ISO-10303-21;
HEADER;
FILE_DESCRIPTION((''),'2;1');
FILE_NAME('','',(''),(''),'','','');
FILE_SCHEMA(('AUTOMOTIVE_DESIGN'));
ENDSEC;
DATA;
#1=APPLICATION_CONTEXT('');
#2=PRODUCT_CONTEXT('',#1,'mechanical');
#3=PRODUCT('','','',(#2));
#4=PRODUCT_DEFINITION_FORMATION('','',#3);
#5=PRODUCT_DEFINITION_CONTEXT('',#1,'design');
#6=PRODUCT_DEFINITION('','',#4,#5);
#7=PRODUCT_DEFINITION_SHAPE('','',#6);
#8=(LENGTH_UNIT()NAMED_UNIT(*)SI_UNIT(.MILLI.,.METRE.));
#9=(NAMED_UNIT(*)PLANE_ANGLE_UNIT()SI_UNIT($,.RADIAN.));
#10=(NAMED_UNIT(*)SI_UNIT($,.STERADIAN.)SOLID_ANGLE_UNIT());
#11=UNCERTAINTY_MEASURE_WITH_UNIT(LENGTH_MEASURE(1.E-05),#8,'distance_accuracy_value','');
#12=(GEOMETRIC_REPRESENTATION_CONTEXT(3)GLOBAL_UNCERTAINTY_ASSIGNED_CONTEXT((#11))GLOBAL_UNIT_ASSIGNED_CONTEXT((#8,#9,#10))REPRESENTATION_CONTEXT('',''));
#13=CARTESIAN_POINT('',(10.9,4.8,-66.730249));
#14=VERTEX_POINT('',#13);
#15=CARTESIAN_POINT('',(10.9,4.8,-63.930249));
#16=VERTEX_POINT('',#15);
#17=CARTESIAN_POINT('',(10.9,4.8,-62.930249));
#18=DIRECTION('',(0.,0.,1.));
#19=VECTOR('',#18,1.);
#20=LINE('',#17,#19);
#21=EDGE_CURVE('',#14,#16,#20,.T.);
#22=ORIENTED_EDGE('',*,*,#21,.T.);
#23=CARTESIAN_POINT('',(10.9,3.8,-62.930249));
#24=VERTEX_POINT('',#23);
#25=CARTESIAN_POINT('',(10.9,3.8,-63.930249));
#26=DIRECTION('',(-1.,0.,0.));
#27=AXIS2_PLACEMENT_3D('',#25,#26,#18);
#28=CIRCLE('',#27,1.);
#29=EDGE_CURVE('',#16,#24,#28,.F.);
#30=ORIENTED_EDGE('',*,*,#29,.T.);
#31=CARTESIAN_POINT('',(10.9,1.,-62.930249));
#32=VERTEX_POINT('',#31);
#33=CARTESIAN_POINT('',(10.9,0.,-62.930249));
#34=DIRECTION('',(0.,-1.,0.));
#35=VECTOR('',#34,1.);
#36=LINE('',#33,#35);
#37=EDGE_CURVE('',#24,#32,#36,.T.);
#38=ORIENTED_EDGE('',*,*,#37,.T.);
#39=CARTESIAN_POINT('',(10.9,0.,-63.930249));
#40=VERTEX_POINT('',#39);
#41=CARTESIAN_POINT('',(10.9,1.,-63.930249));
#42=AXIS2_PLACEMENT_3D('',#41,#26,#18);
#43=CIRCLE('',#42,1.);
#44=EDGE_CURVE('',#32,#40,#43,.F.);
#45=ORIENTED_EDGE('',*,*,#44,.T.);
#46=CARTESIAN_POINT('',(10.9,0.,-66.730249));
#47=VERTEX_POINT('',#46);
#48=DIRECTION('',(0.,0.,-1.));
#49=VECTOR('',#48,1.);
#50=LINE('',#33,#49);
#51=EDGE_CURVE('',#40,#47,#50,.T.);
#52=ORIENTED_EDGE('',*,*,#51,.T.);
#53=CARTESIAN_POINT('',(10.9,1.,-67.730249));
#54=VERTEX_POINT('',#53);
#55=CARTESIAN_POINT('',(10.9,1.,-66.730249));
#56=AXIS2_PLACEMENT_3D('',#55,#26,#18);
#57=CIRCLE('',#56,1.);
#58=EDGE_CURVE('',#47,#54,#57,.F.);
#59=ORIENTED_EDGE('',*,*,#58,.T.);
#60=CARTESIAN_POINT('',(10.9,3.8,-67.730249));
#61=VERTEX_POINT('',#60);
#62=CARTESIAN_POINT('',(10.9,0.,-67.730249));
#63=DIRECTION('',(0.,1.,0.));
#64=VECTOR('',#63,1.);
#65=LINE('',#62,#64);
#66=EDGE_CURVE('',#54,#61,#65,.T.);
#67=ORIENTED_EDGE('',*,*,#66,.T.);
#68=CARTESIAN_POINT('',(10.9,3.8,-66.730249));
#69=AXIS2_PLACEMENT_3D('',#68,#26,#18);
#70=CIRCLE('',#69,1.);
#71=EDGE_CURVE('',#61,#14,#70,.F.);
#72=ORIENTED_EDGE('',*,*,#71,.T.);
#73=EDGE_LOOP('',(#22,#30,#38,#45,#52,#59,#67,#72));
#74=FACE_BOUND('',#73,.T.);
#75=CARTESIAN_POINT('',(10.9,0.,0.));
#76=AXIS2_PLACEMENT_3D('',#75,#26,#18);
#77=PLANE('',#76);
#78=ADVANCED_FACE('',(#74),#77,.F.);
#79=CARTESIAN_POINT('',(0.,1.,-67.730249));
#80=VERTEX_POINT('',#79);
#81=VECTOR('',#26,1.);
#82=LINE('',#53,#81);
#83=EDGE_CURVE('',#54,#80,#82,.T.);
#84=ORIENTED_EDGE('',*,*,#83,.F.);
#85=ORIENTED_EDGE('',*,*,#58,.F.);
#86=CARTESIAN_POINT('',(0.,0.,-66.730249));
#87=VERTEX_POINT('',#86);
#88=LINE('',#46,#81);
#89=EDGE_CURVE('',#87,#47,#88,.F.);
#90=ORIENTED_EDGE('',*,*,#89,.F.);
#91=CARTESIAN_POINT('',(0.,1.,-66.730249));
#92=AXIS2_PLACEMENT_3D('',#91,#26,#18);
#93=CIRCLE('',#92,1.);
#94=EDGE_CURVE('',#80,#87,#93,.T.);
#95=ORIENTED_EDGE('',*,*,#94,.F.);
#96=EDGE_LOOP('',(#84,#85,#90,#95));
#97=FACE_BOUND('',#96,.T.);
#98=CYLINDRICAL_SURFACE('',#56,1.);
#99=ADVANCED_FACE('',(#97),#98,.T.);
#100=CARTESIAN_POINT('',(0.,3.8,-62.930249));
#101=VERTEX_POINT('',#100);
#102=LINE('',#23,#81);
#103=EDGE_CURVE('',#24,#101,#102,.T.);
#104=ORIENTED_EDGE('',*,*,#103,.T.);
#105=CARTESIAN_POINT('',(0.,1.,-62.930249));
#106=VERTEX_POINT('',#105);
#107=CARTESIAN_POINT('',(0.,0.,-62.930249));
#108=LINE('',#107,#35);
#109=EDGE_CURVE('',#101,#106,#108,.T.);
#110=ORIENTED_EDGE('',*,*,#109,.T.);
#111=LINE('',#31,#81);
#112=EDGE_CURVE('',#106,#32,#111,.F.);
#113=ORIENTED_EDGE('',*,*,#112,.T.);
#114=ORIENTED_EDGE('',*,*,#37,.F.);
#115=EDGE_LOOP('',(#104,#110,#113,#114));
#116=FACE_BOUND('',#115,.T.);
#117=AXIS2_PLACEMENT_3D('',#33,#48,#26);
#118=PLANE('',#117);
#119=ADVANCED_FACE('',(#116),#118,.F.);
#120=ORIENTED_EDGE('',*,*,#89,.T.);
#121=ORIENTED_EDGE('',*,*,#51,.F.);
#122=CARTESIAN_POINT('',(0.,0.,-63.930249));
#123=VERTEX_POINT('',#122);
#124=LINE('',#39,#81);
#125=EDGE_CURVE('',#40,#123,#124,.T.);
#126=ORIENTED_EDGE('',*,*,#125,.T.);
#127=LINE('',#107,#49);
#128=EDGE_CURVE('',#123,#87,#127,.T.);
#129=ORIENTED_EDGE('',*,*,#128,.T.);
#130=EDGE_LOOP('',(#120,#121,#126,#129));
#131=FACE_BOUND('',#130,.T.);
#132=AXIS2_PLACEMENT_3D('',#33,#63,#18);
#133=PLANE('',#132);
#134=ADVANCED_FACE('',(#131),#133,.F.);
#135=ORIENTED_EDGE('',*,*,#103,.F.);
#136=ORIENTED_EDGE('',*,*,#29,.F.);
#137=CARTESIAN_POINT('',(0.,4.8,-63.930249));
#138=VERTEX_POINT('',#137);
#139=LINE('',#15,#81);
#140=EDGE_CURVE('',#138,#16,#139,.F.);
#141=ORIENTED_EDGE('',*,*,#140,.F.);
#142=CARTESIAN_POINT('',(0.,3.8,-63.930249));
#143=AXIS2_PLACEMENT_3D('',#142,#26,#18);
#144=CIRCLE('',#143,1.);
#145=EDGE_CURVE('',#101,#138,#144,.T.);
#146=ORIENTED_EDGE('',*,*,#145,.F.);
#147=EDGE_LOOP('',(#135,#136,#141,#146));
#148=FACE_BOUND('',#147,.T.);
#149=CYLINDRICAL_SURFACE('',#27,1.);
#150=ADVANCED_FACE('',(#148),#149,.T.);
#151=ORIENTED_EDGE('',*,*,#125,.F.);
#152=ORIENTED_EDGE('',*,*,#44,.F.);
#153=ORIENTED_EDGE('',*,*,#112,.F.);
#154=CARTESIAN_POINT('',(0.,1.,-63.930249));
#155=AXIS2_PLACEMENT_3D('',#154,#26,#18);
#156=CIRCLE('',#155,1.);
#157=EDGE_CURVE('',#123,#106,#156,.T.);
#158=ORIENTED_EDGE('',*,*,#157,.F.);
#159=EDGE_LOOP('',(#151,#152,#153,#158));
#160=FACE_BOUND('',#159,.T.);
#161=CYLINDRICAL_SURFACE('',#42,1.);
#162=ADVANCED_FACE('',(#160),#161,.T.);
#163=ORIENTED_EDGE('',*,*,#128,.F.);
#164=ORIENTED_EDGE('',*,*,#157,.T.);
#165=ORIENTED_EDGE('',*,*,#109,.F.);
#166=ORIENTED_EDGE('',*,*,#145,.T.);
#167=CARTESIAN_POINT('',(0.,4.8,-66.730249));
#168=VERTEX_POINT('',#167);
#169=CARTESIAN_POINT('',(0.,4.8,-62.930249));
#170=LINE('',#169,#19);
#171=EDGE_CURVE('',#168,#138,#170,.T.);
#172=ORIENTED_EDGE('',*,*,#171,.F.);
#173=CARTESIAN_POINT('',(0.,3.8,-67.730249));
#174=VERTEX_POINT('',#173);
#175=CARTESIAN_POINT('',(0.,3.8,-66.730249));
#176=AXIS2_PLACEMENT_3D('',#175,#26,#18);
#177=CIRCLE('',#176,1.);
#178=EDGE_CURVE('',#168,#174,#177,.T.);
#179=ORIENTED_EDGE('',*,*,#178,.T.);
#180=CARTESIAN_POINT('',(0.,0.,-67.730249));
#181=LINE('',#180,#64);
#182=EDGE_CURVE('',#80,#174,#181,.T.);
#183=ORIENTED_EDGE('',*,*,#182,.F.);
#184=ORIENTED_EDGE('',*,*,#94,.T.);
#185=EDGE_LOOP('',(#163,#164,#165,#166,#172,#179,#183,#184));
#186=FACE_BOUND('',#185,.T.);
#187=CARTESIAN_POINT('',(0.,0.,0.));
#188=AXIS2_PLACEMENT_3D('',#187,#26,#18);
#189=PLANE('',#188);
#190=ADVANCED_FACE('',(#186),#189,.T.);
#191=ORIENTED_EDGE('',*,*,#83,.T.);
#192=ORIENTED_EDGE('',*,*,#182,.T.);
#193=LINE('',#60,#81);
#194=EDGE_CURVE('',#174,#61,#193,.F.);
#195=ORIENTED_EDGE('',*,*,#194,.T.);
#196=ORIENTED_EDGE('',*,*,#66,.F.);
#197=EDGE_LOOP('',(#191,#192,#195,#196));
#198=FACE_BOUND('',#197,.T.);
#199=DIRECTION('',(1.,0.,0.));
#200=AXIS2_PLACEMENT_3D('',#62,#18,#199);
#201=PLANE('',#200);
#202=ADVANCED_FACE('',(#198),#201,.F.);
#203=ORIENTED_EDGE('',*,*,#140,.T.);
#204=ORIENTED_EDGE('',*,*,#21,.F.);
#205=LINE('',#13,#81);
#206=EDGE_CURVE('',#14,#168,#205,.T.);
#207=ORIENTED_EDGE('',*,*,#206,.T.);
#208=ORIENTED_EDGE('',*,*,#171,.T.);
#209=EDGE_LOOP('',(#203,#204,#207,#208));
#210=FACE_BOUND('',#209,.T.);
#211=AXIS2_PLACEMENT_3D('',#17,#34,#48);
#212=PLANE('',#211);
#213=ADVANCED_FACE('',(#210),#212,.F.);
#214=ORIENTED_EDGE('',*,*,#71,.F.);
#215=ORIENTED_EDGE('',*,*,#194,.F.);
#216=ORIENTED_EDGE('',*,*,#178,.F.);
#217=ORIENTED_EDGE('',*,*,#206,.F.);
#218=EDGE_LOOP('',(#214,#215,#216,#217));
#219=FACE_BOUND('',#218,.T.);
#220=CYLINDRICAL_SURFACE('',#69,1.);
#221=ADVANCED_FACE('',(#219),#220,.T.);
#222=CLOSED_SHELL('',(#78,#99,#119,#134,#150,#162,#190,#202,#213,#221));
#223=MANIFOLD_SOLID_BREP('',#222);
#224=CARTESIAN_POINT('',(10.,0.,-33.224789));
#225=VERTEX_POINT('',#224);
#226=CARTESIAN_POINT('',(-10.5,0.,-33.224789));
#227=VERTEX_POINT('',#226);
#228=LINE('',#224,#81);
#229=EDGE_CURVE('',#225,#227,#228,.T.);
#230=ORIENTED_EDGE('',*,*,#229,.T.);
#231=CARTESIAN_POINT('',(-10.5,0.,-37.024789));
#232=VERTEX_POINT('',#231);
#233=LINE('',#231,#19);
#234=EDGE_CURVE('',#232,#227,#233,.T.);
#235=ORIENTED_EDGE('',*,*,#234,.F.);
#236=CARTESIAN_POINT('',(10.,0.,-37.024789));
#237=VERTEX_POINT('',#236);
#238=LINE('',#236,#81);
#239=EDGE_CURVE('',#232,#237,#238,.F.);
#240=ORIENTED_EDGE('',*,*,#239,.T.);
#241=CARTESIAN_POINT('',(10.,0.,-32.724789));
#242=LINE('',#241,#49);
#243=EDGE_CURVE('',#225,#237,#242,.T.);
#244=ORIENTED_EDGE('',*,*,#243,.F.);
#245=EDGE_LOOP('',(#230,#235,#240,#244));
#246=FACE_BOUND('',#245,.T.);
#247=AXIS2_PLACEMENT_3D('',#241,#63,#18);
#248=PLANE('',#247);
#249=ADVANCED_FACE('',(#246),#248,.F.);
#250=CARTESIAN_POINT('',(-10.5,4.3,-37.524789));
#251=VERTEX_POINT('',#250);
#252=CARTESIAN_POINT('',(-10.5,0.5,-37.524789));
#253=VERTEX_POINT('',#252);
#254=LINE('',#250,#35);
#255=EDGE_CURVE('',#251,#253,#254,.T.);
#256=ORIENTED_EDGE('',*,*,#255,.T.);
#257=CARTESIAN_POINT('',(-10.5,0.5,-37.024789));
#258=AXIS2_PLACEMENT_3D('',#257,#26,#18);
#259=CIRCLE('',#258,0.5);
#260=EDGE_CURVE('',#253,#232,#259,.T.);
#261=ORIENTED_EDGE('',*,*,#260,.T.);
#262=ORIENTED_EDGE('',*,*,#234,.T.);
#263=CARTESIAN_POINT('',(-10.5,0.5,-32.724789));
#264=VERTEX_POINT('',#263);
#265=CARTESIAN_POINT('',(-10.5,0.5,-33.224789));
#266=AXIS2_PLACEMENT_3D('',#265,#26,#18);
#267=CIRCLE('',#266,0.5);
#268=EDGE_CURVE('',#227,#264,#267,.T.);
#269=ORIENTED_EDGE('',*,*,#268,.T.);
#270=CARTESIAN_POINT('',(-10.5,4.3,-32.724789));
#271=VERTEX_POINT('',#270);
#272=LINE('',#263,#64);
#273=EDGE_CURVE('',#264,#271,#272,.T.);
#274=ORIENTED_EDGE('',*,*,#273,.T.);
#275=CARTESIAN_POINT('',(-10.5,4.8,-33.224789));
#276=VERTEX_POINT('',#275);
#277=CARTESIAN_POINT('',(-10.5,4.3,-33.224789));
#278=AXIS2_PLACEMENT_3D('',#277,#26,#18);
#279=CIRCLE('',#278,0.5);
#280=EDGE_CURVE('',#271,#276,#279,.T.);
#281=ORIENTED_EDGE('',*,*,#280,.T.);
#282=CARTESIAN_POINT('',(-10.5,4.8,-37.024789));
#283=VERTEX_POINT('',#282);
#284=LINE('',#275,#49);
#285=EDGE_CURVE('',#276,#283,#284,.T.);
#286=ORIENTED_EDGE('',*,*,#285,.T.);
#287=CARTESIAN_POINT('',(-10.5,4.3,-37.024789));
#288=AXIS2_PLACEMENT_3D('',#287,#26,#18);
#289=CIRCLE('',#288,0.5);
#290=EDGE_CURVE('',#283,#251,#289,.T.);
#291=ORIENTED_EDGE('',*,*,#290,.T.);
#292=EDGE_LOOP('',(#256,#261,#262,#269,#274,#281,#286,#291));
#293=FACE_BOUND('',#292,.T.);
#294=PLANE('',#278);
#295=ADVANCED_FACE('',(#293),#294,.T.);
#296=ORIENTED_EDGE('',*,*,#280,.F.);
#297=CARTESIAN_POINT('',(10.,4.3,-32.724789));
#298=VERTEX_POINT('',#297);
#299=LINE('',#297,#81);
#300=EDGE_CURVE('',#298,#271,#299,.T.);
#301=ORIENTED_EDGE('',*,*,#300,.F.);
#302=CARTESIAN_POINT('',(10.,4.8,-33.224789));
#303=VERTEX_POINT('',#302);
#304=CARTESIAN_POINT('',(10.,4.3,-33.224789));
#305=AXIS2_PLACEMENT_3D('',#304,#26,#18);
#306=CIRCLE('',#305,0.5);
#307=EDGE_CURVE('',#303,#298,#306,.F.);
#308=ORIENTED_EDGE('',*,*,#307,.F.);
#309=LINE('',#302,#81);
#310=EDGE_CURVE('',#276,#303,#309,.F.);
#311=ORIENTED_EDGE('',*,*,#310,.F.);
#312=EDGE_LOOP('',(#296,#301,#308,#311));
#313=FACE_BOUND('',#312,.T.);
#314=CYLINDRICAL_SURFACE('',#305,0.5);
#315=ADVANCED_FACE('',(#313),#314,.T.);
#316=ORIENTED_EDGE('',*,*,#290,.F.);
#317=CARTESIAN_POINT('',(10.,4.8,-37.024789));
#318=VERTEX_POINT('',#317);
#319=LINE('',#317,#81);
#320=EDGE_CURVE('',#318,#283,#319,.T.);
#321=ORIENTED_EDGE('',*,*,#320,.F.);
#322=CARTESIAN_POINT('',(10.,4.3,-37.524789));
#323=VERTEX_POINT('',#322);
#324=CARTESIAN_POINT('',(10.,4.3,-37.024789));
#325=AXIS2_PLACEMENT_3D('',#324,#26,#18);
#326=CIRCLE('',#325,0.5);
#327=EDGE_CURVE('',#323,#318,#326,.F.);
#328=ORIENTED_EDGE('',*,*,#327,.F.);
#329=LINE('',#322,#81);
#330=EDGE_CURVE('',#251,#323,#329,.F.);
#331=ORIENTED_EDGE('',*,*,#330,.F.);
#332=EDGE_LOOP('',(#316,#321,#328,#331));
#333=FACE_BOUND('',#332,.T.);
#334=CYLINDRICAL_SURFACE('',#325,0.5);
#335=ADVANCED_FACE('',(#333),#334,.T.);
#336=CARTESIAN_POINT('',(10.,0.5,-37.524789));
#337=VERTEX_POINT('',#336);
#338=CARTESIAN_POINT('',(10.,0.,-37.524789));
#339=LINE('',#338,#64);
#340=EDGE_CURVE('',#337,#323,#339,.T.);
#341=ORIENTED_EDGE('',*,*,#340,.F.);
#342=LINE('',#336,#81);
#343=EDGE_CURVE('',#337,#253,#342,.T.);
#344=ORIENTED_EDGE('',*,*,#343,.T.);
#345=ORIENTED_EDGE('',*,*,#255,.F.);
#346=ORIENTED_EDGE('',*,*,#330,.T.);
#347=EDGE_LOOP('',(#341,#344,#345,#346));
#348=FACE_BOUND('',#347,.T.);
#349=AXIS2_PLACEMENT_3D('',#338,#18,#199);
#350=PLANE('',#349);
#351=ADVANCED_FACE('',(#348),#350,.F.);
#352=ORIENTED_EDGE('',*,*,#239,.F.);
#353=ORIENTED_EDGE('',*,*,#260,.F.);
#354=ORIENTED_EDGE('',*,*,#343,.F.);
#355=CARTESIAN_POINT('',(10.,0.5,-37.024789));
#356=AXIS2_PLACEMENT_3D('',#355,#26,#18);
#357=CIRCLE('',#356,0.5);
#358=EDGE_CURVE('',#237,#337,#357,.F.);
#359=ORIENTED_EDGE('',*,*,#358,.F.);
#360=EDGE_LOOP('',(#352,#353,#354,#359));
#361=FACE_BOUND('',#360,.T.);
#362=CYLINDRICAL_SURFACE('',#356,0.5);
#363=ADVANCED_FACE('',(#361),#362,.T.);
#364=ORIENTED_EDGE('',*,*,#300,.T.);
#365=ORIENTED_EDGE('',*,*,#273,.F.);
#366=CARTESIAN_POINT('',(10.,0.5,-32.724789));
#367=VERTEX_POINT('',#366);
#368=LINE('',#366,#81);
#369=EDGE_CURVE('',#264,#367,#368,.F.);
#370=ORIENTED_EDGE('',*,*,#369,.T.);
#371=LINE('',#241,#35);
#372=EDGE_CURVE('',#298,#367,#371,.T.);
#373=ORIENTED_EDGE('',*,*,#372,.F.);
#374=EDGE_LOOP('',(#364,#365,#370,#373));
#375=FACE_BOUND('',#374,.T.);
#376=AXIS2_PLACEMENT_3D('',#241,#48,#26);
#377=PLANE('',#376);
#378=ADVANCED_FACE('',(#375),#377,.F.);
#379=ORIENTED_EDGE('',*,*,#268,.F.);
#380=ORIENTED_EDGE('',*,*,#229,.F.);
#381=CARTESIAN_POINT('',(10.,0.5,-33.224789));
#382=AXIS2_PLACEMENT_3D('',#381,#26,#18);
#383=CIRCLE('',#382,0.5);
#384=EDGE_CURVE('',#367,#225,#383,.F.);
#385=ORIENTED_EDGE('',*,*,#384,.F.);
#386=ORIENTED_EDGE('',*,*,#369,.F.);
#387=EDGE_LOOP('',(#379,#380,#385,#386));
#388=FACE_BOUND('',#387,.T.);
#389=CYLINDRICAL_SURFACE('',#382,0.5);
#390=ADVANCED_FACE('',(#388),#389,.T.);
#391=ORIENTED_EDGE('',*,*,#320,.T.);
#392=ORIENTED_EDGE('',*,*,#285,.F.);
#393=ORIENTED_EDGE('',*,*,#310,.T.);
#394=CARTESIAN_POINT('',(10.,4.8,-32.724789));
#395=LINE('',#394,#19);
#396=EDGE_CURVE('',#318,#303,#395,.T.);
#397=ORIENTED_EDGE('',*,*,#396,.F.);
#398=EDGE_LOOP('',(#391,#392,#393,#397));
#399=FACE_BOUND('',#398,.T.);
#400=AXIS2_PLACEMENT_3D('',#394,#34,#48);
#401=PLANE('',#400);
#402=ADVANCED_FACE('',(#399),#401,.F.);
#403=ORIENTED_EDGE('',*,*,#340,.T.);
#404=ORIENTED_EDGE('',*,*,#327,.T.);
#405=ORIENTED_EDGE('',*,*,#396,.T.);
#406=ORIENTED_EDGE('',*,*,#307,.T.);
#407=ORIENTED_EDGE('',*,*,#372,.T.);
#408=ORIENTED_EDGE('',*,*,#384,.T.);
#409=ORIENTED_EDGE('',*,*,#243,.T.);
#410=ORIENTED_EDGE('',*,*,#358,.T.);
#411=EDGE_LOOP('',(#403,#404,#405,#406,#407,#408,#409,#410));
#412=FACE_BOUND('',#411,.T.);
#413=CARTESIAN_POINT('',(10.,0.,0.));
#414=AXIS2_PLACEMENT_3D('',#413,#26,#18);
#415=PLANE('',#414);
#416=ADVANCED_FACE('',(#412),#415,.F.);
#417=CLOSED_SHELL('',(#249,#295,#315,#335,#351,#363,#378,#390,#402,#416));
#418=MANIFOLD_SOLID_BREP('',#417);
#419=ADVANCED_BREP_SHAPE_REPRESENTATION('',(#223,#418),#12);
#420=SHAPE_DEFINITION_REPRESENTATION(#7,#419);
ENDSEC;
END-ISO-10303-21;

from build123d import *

# Parameters (mm, degrees)
SKETCH_1_R          = 4.9
SKETCH_1_W          = 5
SKETCH_1_H          = 5
EXTRUDE_1_DEPTH     = 5
SKETCH_2_W          = 10
SKETCH_2_H          = 5
EXTRUDE_2_DEPTH     = 5
SKETCH_3_R          = 5.914940822
CUT_EXTRUDE_1_DEPTH = 10
CUT_EXTRUDE_2_DEPTH = 10
SKETCH_5_W          = 4.8
SKETCH_5_H          = 4.8
EXTRUDE_3_DEPTH     = 10
SKETCH_5_W_2        = 4.6
SKETCH_5_H_2        = 4.6
EXTRUDE_3_2_DEPTH   = 10
SKETCH_5_W_3        = 4.5
SKETCH_5_H_3        = 4.5
EXTRUDE_3_3_DEPTH   = 10
FILLET_1_R          = 0.5
FILLET_2_R          = 0.5
FILLET_3_R          = 0.5
FILLET_4_R          = 0.5
SKETCH_6_W          = 4.9
SKETCH_6_H          = 4.9
EXTRUDE_4_DEPTH     = 20.5
FILLET_5_R          = 1
EXTRUDE_5_DEPTH     = 10.5
SKETCH_9_R          = 3.402598628
CUT_EXTRUDE_3_DEPTH = 10.5
SKETCH_10_R         = 4.357418538
CUT_EXTRUDE_4_DEPTH = 10.5
SKETCH_11_R         = 4.197019633
CUT_EXTRUDE_5_DEPTH = 100.5
SKETCH_12_W         = 4.8
SKETCH_12_H         = 4.8
EXTRUDE_6_DEPTH     = 10.9
FILLET_6_R          = 1


with BuildPart() as part:
    # 草图1 → 凸台-拉伸1 (new body)
    with BuildSketch(Plane(origin=(0, 0, 0), x_dir=(1, 0, 0), z_dir=(0, 1, 0))):
        with Locations((-9.777161154, 17.932244479)):
            Circle(SKETCH_1_R)
        with Locations((-9.777161154, 17.932244479)):
            Rectangle(SKETCH_1_W, SKETCH_1_H, mode=Mode.SUBTRACT)
    extrude(amount=EXTRUDE_1_DEPTH)

    # 草图3 → 切除-拉伸1 (cut)
    with BuildSketch(Plane(origin=(0, 5, 0), x_dir=(1, 0, 0), z_dir=(0, 1, 0))):
        with Locations((-9.777161154, 17.932244479)):
            Circle(SKETCH_3_R)
    extrude(amount=-CUT_EXTRUDE_1_DEPTH, mode=Mode.SUBTRACT)


with BuildPart() as body_2:
    # 草图2 → 凸台-拉伸2 (new body)
    with BuildSketch(Plane(origin=(0, 0, 0), x_dir=(1, 0, 0), z_dir=(0, 1, 0))):
        with Locations((-15.49352073, 27.026927295)):
            Rectangle(SKETCH_2_W, SKETCH_2_H)
    extrude(amount=EXTRUDE_2_DEPTH)

    # 草图4 → 切除-拉伸2 (cut)
    with BuildSketch(Plane.ZY.offset(20.49352073)):
        Polygon((-29.526927295, 4.9), (-29.526927295, 5), (-24.526927295, 5), (-24.526927295, 0), (-24.626927295, 0), (-24.626927295, 4.9), align=None)
    extrude(amount=-CUT_EXTRUDE_2_DEPTH, mode=Mode.SUBTRACT)

    # 圆角1
    fillet_1_edges = [body_2.edges().sort_by_distance(p)[0] for p in [
        (-15.49352073, 0, -24.626927295),
        (-15.49352073, 4.9, -24.626927295),
        (-15.49352073, 4.9, -29.526927295),
        (-15.49352073, 0, -29.526927295),
    ]]
    fillet(fillet_1_edges, radius=FILLET_1_R)

    # 草图6 → 凸台-拉伸4 (add)
    with BuildSketch(Plane(origin=(-10.49352073, 0, 0), x_dir=(0, 0, -1), z_dir=(1, 0, 0))):
        with Locations((27.076927295, 2.45)):
            Rectangle(SKETCH_6_W, SKETCH_6_H)
    extrude(amount=EXTRUDE_4_DEPTH)

    # 圆角5
    fillet_5_edges = [body_2.edges().sort_by_distance(p)[0] for p in [
        (-0.24352073, 0, -24.626927295),
        (-0.24352073, 4.9, -29.526927295),
        (-0.24352073, 0, -29.526927295),
        (-0.24352073, 4.9, -24.626927295),
    ]]
    fillet(fillet_5_edges, radius=FILLET_5_R)

    # 草图11 → 切除-拉伸5 (cut)
    with BuildSketch(Plane.ZY.offset(20.49352073)):
        with Locations((-27.149876741, 2.428663145)):
            Circle(SKETCH_11_R)
    extrude(amount=-CUT_EXTRUDE_5_DEPTH, mode=Mode.SUBTRACT)


with BuildPart() as body_2_2:
    # 草图5 → 凸台-拉伸3 (new body)
    with BuildSketch(Plane(origin=(0, 0, 0), x_dir=(0, 0, -1), z_dir=(1, 0, 0))):
        with Locations((35.124788923, 2.4)):
            Rectangle(SKETCH_5_W, SKETCH_5_H)
    extrude(amount=EXTRUDE_3_DEPTH)

    # 圆角2
    fillet_2_edges = [body_2_2.edges().sort_by_distance(p)[0] for p in [
        (5, 4.8, -32.724788923),
        (5, 4.8, -37.524788923),
        (5, 0, -37.524788923),
        (5, 0, -32.724788923),
    ]]
    fillet(fillet_2_edges, radius=FILLET_2_R)

    # 草图8 → 凸台-拉伸5 (add)
    with BuildSketch(Plane.ZY):
        with BuildLine():
            Line((-33.224788923, 4.8), (-37.024788923, 4.8))
            ThreePointArc((-37.024788923, 4.8), (-37.378342314, 4.653553391), (-37.524788923, 4.3))
            Line((-37.524788923, 4.3), (-37.524788923, 0.5))
            ThreePointArc((-37.524788923, 0.5), (-37.378342314, 0.146446609), (-37.024788923, 0))
            Line((-37.024788923, 0), (-33.224788923, 0))
            ThreePointArc((-33.224788923, 0), (-32.871235532, 0.146446609), (-32.724788923, 0.5))
            Line((-32.724788923, 0.5), (-32.724788923, 4.3))
            ThreePointArc((-32.724788923, 4.3), (-32.871235532, 4.653553391), (-33.224788923, 4.8))
        make_face()
    extrude(amount=EXTRUDE_5_DEPTH)


with BuildPart() as body_3:
    # 草图5 → Extrude 3 2 (new body)
    with BuildSketch(Plane(origin=(0, 0, 0), x_dir=(0, 0, -1), z_dir=(1, 0, 0))):
        with Locations((43.904383403, 2.3)):
            Rectangle(SKETCH_5_W_2, SKETCH_5_H_2)
    extrude(amount=EXTRUDE_3_2_DEPTH)

    # 圆角3
    fillet_3_edges = [body_3.edges().sort_by_distance(p)[0] for p in [
        (5, 4.6, -41.604383403),
        (5, 4.6, -46.204383403),
        (5, 0, -46.204383403),
        (5, 0, -41.604383403),
    ]]
    fillet(fillet_3_edges, radius=FILLET_3_R)

    # 草图10 → 切除-拉伸4 (cut)
    with BuildSketch(Plane.ZY):
        with Locations((-43.711928748, 2.423135274)):
            Circle(SKETCH_10_R)
    extrude(amount=-CUT_EXTRUDE_4_DEPTH, mode=Mode.SUBTRACT)


with BuildPart() as body_4:
    # 草图5 → Extrude 3 3 (new body)
    with BuildSketch(Plane(origin=(0, 0, 0), x_dir=(0, 0, -1), z_dir=(1, 0, 0))):
        with Locations((50.920405069, 2.25)):
            Rectangle(SKETCH_5_W_3, SKETCH_5_H_3)
    extrude(amount=EXTRUDE_3_3_DEPTH)

    # 圆角4
    fillet_4_edges = [body_4.edges().sort_by_distance(p)[0] for p in [
        (5, 4.5, -48.670405069),
        (5, 4.5, -53.170405069),
        (5, 0, -53.170405069),
        (5, 0, -48.670405069),
    ]]
    fillet(fillet_4_edges, radius=FILLET_4_R)

    # 草图9 → 切除-拉伸3 (cut)
    with BuildSketch(Plane.ZY):
        with Locations((-50.9868081, 2.355561391)):
            Circle(SKETCH_9_R)
    extrude(amount=-CUT_EXTRUDE_3_DEPTH, mode=Mode.SUBTRACT)


with BuildPart() as body_2_3:
    # 草图12 → 凸台-拉伸6 (new body)
    with BuildSketch(Plane(origin=(0, 0, 0), x_dir=(0, 0, -1), z_dir=(1, 0, 0))):
        with Locations((65.330249397, 2.4)):
            Rectangle(SKETCH_12_W, SKETCH_12_H)
    extrude(amount=EXTRUDE_6_DEPTH)

    # 圆角6
    fillet_6_edges = [body_2_3.edges().sort_by_distance(p)[0] for p in [
        (5.45, 4.8, -62.930249397),
        (5.45, 4.8, -67.730249397),
        (5.45, 0, -67.730249397),
        (5.45, 0, -62.930249397),
    ]]
    fillet(fillet_6_edges, radius=FILLET_6_R)


solid = Compound([body_2_2.part, body_2_3.part])
